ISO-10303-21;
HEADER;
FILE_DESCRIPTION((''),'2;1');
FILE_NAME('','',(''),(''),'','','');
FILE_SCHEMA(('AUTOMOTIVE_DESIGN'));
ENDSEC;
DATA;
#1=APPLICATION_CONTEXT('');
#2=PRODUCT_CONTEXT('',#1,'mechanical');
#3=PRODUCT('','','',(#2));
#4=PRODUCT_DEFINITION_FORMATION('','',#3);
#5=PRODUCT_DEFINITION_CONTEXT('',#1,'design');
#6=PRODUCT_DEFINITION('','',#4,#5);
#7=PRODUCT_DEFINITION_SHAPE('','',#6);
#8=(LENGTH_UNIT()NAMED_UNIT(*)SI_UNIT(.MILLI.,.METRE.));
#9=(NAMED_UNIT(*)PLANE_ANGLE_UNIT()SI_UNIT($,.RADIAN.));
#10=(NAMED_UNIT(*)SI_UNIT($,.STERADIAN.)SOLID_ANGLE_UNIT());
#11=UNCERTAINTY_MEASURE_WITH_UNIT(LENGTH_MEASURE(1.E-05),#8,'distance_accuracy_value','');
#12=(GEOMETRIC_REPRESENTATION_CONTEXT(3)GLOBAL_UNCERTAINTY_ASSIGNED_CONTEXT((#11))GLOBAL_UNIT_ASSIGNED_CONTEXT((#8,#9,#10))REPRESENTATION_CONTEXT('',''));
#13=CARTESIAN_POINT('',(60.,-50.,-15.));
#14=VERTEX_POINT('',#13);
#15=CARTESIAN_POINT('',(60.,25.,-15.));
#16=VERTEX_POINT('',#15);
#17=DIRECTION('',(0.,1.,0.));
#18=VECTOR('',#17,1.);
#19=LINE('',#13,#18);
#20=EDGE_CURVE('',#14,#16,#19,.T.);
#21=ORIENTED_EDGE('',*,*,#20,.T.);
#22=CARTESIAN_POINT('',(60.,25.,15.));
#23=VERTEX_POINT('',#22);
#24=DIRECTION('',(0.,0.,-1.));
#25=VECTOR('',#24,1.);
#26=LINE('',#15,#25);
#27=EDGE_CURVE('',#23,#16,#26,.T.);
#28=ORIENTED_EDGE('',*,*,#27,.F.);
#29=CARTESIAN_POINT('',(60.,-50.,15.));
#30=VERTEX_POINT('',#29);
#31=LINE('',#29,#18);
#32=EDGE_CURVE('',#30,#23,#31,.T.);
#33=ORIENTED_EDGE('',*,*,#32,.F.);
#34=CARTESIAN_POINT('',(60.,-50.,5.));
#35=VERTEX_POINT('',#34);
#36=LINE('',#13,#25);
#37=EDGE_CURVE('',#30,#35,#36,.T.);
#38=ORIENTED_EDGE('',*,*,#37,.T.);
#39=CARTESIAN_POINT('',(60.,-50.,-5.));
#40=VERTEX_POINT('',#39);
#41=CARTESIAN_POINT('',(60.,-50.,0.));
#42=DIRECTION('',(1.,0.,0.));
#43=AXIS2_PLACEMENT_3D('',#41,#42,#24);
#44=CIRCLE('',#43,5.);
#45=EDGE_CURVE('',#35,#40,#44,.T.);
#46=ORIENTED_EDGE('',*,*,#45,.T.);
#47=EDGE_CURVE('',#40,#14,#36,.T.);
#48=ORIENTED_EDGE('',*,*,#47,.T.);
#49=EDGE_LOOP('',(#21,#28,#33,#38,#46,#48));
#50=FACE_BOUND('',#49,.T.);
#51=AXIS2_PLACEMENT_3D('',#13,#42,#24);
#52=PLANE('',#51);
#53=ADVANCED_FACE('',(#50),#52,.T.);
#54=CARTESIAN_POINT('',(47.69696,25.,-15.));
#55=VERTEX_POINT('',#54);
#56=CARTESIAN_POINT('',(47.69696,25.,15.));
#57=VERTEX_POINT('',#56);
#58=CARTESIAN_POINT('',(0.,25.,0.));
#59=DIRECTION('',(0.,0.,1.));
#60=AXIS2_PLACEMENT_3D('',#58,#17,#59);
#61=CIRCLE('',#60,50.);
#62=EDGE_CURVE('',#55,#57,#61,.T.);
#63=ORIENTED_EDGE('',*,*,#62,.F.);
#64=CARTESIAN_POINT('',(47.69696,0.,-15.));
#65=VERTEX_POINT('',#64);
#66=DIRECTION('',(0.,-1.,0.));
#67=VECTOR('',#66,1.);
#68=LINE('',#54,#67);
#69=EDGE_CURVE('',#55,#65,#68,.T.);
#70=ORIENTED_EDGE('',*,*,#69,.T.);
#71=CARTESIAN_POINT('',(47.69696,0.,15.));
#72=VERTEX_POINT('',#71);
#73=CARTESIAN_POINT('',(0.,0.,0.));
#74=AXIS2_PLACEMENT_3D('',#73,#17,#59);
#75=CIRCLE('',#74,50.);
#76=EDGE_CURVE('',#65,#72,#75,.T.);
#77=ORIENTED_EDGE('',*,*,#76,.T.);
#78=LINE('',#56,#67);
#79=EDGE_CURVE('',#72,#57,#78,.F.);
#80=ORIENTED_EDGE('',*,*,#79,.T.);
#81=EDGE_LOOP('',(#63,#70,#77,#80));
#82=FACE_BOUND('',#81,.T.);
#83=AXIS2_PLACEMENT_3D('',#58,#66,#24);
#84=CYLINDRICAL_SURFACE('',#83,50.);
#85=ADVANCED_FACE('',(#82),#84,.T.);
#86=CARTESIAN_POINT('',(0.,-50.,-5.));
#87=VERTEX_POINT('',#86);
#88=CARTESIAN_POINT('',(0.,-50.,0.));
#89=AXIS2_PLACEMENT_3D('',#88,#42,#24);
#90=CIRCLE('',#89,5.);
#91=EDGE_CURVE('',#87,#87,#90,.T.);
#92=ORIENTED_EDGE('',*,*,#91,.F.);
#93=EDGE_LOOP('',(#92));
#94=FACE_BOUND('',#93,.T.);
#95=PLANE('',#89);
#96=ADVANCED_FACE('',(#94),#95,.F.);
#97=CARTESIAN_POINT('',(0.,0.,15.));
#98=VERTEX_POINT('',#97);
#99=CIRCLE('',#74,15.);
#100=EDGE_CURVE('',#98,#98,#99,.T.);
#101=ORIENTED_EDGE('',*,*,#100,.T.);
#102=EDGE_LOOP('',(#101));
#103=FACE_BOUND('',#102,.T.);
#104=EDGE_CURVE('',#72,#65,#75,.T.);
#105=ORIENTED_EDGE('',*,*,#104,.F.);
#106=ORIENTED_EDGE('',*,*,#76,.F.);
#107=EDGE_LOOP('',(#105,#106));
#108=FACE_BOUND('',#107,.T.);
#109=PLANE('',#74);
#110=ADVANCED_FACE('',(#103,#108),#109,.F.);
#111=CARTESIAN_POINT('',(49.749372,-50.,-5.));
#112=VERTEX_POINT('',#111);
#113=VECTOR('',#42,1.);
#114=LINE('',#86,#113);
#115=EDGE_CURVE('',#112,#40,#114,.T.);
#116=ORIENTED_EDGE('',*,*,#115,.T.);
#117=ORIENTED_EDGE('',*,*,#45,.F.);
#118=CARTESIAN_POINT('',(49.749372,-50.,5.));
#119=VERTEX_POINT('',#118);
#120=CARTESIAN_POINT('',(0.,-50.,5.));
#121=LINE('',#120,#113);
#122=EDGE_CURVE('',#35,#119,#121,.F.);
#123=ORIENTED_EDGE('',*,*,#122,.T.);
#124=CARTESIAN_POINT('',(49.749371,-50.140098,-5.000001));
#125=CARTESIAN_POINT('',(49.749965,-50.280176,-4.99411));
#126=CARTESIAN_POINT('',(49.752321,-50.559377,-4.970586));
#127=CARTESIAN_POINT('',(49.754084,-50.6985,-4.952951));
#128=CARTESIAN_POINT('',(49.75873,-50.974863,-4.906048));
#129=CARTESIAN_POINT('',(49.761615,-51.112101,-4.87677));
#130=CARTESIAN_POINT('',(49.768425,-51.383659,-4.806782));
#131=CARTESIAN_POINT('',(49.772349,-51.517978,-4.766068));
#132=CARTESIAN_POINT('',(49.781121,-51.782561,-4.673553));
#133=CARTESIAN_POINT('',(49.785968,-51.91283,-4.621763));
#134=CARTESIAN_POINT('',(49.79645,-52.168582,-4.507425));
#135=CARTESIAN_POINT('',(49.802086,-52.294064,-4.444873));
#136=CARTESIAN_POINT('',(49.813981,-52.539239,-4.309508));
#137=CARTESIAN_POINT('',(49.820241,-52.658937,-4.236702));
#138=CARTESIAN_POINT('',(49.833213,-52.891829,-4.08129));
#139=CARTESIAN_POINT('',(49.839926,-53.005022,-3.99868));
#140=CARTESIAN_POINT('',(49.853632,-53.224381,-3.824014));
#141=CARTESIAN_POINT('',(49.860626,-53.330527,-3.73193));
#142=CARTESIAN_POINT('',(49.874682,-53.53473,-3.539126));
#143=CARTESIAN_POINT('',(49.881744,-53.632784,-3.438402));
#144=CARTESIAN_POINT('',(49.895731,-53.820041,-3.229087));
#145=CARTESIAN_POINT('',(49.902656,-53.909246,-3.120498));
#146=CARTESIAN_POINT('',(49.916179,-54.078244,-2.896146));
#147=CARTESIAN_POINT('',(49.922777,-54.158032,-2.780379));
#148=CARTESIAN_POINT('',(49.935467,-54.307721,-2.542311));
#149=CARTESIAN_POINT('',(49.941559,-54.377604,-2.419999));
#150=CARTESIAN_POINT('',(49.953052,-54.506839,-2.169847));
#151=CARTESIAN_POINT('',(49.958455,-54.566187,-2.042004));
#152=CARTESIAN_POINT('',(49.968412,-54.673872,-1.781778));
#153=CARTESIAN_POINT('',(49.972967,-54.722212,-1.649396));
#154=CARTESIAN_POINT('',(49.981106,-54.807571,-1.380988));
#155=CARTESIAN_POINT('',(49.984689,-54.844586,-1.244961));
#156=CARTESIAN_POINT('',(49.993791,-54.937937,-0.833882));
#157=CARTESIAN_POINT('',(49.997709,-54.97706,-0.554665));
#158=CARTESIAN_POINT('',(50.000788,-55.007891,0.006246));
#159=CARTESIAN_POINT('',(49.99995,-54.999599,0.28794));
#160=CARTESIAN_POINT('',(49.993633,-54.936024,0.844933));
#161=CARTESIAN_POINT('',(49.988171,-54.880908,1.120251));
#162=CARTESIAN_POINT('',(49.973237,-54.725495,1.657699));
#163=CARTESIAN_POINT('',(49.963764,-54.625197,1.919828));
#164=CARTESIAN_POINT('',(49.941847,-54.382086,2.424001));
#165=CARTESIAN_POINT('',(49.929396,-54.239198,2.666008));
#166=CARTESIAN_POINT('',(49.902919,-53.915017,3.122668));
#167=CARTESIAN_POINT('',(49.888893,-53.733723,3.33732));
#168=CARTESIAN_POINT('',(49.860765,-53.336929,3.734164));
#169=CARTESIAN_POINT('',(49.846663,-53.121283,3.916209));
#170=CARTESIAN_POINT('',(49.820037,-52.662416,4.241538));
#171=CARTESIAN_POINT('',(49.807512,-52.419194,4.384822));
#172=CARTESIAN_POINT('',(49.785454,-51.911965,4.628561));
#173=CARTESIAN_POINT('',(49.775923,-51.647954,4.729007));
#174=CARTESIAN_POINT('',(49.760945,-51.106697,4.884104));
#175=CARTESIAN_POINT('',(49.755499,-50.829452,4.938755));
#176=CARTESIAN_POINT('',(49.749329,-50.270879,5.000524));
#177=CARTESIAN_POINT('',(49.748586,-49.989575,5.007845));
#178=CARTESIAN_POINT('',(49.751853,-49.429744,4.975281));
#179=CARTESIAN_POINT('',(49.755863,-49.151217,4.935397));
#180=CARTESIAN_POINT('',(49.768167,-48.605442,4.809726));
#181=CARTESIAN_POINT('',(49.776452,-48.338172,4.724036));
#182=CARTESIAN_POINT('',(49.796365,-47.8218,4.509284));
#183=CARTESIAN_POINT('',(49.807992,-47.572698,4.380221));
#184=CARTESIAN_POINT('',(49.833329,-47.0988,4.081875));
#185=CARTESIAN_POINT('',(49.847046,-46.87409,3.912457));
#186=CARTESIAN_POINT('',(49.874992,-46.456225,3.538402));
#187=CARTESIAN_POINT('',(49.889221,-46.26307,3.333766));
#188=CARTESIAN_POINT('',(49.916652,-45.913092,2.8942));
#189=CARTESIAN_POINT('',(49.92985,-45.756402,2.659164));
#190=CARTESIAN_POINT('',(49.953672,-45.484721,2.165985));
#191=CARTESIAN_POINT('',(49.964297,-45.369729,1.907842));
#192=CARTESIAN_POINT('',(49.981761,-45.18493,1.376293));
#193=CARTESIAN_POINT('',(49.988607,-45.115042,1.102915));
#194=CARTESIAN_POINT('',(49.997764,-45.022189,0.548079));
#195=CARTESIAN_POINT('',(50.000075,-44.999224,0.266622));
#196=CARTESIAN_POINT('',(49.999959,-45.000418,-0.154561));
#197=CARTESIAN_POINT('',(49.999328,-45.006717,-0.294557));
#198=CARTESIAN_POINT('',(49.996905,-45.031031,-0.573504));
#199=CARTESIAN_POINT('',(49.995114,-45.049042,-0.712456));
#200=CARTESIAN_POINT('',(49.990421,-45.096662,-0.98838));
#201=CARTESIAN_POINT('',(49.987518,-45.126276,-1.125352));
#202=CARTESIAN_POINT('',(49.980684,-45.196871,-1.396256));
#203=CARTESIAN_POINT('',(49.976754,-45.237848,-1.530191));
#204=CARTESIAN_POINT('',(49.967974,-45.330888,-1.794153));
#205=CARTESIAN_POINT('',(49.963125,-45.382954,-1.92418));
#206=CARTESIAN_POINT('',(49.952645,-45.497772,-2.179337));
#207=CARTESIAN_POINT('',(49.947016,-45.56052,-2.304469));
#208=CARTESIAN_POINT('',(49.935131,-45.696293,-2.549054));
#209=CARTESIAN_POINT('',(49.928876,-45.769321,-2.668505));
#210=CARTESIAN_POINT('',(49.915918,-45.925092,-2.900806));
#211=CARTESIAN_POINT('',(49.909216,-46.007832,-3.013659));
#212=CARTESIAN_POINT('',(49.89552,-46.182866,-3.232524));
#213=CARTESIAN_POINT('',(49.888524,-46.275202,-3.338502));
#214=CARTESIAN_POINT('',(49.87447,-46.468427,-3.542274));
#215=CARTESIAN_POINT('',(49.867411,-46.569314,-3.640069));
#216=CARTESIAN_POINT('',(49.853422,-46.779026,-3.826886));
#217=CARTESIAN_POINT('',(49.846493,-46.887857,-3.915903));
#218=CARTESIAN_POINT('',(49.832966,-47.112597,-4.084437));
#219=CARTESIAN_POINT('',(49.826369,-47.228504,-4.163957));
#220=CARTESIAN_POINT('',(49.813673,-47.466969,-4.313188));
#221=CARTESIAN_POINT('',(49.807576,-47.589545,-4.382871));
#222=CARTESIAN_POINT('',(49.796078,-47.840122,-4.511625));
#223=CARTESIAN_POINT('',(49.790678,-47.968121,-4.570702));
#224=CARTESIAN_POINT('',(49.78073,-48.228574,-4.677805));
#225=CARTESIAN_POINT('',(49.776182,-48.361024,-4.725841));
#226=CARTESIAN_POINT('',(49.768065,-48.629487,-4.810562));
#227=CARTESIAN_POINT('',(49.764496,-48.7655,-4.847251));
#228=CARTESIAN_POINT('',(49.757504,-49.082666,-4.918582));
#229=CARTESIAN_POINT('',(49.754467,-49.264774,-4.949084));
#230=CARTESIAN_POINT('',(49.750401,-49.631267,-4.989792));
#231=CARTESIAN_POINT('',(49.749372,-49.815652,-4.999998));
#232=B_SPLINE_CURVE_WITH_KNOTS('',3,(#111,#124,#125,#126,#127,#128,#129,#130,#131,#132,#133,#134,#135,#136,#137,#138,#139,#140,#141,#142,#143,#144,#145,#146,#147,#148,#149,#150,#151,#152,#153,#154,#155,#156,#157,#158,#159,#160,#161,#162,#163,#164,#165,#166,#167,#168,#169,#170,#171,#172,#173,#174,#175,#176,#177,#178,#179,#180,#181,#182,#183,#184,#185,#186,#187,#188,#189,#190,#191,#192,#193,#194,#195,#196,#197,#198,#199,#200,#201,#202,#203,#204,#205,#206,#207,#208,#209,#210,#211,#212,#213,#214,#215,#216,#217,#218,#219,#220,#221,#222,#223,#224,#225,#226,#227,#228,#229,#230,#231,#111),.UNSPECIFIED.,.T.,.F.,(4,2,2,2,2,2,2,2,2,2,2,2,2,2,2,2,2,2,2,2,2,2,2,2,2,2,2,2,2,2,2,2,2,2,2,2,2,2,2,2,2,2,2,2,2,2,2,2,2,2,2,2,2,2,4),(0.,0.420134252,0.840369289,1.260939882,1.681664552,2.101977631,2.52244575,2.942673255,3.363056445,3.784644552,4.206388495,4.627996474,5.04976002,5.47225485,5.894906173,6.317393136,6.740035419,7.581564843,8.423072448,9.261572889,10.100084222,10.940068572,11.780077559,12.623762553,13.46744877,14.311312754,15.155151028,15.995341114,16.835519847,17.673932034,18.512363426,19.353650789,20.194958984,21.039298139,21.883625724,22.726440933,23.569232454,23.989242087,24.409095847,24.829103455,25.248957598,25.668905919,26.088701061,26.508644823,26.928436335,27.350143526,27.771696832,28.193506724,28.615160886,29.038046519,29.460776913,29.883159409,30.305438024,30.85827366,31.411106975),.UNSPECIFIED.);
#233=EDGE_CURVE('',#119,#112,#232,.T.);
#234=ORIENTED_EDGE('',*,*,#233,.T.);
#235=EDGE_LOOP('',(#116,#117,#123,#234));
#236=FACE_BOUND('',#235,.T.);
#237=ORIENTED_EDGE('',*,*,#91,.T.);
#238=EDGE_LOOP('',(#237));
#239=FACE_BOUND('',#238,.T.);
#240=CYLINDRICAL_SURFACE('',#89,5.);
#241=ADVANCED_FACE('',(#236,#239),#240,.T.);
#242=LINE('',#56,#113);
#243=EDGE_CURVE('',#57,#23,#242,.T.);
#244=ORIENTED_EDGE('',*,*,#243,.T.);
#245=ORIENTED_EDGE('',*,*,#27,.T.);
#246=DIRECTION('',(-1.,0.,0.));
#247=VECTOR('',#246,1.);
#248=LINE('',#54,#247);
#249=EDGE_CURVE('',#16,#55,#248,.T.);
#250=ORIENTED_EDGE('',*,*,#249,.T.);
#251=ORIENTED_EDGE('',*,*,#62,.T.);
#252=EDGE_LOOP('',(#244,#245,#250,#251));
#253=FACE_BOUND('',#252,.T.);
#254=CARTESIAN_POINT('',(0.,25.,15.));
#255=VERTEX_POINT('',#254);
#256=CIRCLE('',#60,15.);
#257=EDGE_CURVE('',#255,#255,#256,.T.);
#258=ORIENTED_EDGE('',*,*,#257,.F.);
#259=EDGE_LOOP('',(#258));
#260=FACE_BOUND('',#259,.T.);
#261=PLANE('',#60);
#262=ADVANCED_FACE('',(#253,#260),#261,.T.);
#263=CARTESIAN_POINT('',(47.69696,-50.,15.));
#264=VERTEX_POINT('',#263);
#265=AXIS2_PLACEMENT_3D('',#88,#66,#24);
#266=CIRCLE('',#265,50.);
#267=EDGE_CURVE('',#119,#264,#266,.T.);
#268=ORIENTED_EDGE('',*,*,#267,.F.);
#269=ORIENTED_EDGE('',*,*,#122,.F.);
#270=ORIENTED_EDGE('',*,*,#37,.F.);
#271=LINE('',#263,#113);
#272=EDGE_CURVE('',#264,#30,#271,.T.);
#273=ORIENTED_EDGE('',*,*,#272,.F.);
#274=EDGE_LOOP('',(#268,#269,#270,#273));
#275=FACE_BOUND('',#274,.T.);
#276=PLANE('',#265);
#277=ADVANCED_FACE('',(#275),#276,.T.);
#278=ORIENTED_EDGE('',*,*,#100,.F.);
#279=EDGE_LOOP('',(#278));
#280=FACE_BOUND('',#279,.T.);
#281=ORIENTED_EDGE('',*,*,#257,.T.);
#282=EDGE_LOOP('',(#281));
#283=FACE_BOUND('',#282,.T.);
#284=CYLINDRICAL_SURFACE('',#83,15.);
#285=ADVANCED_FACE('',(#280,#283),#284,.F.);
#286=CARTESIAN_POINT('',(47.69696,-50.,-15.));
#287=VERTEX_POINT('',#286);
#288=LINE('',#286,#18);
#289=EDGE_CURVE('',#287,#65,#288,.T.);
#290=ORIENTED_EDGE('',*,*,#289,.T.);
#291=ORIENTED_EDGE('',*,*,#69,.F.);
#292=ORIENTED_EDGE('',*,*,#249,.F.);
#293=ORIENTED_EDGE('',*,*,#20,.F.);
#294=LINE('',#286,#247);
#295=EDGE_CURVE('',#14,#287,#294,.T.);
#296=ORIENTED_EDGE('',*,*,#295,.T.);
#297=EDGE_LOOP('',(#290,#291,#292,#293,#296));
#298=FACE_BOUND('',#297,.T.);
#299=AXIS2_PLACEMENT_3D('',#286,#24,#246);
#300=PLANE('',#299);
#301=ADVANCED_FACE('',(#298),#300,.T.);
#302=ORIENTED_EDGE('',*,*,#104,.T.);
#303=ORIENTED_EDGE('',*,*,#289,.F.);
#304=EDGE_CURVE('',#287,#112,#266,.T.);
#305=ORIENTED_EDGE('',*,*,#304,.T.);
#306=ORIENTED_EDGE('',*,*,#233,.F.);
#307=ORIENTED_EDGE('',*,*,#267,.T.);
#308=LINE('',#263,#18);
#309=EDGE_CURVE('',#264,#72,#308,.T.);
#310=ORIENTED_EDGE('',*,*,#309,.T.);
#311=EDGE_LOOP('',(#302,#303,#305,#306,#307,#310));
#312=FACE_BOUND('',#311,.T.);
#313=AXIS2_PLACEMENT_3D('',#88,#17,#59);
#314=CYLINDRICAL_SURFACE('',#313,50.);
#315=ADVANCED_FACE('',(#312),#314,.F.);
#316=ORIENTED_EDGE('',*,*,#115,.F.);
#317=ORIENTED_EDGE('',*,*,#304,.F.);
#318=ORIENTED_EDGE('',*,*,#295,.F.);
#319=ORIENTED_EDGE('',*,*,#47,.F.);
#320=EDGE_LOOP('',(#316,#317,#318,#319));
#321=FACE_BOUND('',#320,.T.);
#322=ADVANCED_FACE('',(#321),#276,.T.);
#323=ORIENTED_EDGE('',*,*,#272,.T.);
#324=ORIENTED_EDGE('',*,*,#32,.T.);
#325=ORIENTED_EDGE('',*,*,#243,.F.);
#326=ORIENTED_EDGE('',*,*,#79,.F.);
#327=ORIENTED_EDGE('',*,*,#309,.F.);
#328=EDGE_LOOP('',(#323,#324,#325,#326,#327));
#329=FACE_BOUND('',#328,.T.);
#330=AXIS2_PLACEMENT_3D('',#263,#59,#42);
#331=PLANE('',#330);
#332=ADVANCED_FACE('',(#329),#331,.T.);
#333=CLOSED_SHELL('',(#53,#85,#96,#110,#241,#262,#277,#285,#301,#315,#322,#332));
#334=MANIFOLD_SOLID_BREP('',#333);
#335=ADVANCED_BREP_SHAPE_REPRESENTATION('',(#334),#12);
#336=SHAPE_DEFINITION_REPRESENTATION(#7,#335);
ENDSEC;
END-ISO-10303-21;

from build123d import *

# Parameters (mm, degrees)
SKETCH2_R           = 50
SKETCH2_R_2         = 15
BOSS_EXTRUDE1_DEPTH = 25
BOSS_EXTRUDE2_START = -75
BOSS_EXTRUDE2_DEPTH = 75
SKETCH4_R           = 5
BOSS_EXTRUDE3_DEPTH = 60


with BuildPart() as part:
    # Sketch2 → Boss-Extrude1 (new body)
    with BuildSketch(Plane(origin=(0, 0, 0), x_dir=(1, 0, 0), z_dir=(0, 1, 0))):
        with Locations(Location((0, 0, 0), (0, 0, 270))):
            Circle(SKETCH2_R)
        with Locations(Location((0, 0, 0), (0, 0, 270))):
            Circle(SKETCH2_R_2, mode=Mode.SUBTRACT)
    extrude(amount=BOSS_EXTRUDE1_DEPTH)

    # Sketch3 → Boss-Extrude2 (add)
    with BuildSketch(Plane(origin=(0, 25, 0), x_dir=(1, 0, 0), z_dir=(0, 1, 0)).offset(BOSS_EXTRUDE2_START)):
        with BuildLine():
            Line((47.696960071, 15), (60, 15))
            Line((60, 15), (60, -15))
            Line((60, -15), (47.696960071, -15))
            ThreePointArc((47.696960071, -15), (50, 0), (47.696960071, 15))
        make_face()
    extrude(amount=BOSS_EXTRUDE2_DEPTH)

    # Sketch4 → Boss-Extrude3 (add)
    with BuildSketch(Plane(origin=(60, 0, 0), x_dir=(0, 0, -1), z_dir=(1, 0, 0))):
        with Locations((0, -50)):
            Circle(SKETCH4_R)
    extrude(amount=-BOSS_EXTRUDE3_DEPTH)


solid = part.part
